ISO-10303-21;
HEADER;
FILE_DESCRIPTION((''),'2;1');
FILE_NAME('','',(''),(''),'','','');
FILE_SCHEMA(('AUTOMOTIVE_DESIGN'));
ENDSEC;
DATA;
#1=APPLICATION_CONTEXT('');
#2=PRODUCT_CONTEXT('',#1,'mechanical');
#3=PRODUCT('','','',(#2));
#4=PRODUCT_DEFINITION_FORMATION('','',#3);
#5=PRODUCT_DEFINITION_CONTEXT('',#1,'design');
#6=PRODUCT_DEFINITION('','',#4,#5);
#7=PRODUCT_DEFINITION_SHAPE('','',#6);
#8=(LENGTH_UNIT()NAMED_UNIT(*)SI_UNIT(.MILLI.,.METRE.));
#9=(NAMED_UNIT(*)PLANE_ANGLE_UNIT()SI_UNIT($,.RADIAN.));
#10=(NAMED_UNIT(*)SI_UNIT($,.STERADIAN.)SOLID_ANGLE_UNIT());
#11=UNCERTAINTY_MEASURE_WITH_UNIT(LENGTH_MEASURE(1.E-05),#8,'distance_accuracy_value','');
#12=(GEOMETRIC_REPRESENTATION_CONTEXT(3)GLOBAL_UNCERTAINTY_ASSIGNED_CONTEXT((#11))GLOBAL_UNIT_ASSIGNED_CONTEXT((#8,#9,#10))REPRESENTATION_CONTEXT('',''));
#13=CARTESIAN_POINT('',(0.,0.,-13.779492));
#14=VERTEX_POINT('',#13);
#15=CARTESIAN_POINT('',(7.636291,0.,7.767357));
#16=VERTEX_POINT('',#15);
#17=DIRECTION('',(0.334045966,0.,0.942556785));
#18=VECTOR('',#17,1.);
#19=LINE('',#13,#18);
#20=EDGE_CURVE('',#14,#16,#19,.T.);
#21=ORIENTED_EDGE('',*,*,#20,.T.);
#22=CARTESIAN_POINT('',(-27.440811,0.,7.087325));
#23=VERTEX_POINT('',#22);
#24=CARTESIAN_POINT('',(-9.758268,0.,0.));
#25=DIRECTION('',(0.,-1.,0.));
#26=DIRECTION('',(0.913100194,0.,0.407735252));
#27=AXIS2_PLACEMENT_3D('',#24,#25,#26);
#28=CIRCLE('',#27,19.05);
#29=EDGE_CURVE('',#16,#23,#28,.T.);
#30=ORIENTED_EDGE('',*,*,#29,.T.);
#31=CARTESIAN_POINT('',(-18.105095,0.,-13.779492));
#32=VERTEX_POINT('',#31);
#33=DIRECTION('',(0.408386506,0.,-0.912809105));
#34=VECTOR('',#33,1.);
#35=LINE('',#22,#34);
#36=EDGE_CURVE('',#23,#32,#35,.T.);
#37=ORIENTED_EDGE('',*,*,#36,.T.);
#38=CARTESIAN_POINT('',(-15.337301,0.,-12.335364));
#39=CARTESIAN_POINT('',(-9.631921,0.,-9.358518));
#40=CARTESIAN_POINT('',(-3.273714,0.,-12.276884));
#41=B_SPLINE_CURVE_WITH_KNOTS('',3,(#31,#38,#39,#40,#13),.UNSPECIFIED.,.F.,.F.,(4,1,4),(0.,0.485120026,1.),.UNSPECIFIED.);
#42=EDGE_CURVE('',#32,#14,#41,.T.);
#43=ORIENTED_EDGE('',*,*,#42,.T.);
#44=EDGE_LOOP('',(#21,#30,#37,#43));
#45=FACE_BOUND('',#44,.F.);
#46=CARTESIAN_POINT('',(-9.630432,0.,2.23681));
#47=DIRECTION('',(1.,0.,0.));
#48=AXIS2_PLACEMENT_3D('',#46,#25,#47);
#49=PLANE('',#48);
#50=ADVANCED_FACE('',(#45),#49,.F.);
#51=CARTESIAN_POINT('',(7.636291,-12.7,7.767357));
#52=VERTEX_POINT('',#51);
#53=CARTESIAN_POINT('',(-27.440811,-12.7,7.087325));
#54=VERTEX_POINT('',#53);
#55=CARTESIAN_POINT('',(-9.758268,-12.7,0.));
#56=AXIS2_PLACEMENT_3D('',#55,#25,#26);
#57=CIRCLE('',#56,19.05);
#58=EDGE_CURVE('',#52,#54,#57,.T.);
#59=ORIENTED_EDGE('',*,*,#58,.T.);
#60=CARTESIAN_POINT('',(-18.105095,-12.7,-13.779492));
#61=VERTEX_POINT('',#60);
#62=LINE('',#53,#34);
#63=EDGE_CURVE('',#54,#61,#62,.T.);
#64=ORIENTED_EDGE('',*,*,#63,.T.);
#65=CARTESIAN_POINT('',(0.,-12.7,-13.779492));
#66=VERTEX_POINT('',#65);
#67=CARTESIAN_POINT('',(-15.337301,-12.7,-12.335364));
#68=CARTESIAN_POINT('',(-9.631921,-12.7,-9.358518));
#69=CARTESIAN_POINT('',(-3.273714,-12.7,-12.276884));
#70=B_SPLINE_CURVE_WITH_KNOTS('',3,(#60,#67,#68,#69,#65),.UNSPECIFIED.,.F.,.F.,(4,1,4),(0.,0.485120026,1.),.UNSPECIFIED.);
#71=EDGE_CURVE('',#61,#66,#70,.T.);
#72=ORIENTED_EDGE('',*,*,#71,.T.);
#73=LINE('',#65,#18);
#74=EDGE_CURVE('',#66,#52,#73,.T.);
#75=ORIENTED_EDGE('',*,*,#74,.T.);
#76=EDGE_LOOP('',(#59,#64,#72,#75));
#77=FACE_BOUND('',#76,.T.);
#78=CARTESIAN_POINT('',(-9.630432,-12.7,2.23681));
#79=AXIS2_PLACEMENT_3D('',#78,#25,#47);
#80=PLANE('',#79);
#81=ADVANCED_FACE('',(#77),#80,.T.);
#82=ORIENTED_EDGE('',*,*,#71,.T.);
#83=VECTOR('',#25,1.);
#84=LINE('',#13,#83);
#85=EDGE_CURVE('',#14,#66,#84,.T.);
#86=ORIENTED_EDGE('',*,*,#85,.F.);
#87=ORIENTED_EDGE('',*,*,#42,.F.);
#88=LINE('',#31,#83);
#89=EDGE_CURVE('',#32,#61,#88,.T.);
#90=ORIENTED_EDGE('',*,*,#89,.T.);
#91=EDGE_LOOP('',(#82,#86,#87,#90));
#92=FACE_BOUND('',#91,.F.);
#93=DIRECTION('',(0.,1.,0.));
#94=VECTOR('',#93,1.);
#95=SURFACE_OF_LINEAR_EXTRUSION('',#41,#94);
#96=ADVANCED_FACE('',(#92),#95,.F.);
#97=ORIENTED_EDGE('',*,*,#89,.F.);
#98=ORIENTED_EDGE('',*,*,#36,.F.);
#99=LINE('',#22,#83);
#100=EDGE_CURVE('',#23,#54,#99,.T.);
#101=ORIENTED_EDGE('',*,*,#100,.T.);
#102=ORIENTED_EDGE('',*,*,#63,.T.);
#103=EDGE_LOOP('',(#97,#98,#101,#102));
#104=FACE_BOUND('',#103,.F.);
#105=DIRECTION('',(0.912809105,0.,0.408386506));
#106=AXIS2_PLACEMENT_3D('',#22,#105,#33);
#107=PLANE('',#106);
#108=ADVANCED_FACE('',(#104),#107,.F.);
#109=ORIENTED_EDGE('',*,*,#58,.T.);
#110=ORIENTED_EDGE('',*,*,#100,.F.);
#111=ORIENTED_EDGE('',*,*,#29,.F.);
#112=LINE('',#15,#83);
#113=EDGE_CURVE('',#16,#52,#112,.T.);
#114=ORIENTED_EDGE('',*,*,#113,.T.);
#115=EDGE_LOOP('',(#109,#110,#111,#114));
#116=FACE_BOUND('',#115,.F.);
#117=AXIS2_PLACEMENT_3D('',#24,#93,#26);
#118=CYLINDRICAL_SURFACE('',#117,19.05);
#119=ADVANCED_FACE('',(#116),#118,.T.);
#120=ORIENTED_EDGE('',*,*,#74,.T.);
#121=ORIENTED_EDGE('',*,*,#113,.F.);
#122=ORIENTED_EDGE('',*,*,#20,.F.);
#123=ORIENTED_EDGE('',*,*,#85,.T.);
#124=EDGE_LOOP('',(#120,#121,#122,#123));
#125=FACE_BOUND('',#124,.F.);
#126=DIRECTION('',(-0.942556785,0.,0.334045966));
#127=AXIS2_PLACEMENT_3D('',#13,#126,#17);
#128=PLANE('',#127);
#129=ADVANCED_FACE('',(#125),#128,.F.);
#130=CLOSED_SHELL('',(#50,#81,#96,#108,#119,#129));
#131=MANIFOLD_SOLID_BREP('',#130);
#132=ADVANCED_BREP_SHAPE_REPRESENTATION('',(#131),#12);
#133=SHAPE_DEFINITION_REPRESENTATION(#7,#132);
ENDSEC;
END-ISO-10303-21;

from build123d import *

# Parameters (mm, degrees)
F1_DEPTH = 12.7


with BuildPart() as f1:
    # F0 (on Front) → F1 (new body)
    with BuildSketch(Plane.XZ):
        with BuildLine():
            Line((0, -13.7794915439), (7.6362907766, 7.7673565592))
            ThreePointArc((7.6362907766, 7.7673565592), (-10.1275166443, 19.0464210648), (-27.4408110066, 7.0873245884))
            Line((-27.4408110066, 7.0873245884), (-18.1050954741, -13.7794915439))
            add(Edge.make_bspline(
                [(-18.1050954741, -13.7794915439), (-15.3373011477, -12.3353640158), (-9.6319206705, -9.3585181837), (-3.2737135274, -12.2768836229), (0, -13.7794915439)],
                knots=[0, 0, 0, 0, 0.4851200262, 1, 1, 1, 1], degree=3))
        make_face()
    extrude(amount=F1_DEPTH)


solid = f1.part
